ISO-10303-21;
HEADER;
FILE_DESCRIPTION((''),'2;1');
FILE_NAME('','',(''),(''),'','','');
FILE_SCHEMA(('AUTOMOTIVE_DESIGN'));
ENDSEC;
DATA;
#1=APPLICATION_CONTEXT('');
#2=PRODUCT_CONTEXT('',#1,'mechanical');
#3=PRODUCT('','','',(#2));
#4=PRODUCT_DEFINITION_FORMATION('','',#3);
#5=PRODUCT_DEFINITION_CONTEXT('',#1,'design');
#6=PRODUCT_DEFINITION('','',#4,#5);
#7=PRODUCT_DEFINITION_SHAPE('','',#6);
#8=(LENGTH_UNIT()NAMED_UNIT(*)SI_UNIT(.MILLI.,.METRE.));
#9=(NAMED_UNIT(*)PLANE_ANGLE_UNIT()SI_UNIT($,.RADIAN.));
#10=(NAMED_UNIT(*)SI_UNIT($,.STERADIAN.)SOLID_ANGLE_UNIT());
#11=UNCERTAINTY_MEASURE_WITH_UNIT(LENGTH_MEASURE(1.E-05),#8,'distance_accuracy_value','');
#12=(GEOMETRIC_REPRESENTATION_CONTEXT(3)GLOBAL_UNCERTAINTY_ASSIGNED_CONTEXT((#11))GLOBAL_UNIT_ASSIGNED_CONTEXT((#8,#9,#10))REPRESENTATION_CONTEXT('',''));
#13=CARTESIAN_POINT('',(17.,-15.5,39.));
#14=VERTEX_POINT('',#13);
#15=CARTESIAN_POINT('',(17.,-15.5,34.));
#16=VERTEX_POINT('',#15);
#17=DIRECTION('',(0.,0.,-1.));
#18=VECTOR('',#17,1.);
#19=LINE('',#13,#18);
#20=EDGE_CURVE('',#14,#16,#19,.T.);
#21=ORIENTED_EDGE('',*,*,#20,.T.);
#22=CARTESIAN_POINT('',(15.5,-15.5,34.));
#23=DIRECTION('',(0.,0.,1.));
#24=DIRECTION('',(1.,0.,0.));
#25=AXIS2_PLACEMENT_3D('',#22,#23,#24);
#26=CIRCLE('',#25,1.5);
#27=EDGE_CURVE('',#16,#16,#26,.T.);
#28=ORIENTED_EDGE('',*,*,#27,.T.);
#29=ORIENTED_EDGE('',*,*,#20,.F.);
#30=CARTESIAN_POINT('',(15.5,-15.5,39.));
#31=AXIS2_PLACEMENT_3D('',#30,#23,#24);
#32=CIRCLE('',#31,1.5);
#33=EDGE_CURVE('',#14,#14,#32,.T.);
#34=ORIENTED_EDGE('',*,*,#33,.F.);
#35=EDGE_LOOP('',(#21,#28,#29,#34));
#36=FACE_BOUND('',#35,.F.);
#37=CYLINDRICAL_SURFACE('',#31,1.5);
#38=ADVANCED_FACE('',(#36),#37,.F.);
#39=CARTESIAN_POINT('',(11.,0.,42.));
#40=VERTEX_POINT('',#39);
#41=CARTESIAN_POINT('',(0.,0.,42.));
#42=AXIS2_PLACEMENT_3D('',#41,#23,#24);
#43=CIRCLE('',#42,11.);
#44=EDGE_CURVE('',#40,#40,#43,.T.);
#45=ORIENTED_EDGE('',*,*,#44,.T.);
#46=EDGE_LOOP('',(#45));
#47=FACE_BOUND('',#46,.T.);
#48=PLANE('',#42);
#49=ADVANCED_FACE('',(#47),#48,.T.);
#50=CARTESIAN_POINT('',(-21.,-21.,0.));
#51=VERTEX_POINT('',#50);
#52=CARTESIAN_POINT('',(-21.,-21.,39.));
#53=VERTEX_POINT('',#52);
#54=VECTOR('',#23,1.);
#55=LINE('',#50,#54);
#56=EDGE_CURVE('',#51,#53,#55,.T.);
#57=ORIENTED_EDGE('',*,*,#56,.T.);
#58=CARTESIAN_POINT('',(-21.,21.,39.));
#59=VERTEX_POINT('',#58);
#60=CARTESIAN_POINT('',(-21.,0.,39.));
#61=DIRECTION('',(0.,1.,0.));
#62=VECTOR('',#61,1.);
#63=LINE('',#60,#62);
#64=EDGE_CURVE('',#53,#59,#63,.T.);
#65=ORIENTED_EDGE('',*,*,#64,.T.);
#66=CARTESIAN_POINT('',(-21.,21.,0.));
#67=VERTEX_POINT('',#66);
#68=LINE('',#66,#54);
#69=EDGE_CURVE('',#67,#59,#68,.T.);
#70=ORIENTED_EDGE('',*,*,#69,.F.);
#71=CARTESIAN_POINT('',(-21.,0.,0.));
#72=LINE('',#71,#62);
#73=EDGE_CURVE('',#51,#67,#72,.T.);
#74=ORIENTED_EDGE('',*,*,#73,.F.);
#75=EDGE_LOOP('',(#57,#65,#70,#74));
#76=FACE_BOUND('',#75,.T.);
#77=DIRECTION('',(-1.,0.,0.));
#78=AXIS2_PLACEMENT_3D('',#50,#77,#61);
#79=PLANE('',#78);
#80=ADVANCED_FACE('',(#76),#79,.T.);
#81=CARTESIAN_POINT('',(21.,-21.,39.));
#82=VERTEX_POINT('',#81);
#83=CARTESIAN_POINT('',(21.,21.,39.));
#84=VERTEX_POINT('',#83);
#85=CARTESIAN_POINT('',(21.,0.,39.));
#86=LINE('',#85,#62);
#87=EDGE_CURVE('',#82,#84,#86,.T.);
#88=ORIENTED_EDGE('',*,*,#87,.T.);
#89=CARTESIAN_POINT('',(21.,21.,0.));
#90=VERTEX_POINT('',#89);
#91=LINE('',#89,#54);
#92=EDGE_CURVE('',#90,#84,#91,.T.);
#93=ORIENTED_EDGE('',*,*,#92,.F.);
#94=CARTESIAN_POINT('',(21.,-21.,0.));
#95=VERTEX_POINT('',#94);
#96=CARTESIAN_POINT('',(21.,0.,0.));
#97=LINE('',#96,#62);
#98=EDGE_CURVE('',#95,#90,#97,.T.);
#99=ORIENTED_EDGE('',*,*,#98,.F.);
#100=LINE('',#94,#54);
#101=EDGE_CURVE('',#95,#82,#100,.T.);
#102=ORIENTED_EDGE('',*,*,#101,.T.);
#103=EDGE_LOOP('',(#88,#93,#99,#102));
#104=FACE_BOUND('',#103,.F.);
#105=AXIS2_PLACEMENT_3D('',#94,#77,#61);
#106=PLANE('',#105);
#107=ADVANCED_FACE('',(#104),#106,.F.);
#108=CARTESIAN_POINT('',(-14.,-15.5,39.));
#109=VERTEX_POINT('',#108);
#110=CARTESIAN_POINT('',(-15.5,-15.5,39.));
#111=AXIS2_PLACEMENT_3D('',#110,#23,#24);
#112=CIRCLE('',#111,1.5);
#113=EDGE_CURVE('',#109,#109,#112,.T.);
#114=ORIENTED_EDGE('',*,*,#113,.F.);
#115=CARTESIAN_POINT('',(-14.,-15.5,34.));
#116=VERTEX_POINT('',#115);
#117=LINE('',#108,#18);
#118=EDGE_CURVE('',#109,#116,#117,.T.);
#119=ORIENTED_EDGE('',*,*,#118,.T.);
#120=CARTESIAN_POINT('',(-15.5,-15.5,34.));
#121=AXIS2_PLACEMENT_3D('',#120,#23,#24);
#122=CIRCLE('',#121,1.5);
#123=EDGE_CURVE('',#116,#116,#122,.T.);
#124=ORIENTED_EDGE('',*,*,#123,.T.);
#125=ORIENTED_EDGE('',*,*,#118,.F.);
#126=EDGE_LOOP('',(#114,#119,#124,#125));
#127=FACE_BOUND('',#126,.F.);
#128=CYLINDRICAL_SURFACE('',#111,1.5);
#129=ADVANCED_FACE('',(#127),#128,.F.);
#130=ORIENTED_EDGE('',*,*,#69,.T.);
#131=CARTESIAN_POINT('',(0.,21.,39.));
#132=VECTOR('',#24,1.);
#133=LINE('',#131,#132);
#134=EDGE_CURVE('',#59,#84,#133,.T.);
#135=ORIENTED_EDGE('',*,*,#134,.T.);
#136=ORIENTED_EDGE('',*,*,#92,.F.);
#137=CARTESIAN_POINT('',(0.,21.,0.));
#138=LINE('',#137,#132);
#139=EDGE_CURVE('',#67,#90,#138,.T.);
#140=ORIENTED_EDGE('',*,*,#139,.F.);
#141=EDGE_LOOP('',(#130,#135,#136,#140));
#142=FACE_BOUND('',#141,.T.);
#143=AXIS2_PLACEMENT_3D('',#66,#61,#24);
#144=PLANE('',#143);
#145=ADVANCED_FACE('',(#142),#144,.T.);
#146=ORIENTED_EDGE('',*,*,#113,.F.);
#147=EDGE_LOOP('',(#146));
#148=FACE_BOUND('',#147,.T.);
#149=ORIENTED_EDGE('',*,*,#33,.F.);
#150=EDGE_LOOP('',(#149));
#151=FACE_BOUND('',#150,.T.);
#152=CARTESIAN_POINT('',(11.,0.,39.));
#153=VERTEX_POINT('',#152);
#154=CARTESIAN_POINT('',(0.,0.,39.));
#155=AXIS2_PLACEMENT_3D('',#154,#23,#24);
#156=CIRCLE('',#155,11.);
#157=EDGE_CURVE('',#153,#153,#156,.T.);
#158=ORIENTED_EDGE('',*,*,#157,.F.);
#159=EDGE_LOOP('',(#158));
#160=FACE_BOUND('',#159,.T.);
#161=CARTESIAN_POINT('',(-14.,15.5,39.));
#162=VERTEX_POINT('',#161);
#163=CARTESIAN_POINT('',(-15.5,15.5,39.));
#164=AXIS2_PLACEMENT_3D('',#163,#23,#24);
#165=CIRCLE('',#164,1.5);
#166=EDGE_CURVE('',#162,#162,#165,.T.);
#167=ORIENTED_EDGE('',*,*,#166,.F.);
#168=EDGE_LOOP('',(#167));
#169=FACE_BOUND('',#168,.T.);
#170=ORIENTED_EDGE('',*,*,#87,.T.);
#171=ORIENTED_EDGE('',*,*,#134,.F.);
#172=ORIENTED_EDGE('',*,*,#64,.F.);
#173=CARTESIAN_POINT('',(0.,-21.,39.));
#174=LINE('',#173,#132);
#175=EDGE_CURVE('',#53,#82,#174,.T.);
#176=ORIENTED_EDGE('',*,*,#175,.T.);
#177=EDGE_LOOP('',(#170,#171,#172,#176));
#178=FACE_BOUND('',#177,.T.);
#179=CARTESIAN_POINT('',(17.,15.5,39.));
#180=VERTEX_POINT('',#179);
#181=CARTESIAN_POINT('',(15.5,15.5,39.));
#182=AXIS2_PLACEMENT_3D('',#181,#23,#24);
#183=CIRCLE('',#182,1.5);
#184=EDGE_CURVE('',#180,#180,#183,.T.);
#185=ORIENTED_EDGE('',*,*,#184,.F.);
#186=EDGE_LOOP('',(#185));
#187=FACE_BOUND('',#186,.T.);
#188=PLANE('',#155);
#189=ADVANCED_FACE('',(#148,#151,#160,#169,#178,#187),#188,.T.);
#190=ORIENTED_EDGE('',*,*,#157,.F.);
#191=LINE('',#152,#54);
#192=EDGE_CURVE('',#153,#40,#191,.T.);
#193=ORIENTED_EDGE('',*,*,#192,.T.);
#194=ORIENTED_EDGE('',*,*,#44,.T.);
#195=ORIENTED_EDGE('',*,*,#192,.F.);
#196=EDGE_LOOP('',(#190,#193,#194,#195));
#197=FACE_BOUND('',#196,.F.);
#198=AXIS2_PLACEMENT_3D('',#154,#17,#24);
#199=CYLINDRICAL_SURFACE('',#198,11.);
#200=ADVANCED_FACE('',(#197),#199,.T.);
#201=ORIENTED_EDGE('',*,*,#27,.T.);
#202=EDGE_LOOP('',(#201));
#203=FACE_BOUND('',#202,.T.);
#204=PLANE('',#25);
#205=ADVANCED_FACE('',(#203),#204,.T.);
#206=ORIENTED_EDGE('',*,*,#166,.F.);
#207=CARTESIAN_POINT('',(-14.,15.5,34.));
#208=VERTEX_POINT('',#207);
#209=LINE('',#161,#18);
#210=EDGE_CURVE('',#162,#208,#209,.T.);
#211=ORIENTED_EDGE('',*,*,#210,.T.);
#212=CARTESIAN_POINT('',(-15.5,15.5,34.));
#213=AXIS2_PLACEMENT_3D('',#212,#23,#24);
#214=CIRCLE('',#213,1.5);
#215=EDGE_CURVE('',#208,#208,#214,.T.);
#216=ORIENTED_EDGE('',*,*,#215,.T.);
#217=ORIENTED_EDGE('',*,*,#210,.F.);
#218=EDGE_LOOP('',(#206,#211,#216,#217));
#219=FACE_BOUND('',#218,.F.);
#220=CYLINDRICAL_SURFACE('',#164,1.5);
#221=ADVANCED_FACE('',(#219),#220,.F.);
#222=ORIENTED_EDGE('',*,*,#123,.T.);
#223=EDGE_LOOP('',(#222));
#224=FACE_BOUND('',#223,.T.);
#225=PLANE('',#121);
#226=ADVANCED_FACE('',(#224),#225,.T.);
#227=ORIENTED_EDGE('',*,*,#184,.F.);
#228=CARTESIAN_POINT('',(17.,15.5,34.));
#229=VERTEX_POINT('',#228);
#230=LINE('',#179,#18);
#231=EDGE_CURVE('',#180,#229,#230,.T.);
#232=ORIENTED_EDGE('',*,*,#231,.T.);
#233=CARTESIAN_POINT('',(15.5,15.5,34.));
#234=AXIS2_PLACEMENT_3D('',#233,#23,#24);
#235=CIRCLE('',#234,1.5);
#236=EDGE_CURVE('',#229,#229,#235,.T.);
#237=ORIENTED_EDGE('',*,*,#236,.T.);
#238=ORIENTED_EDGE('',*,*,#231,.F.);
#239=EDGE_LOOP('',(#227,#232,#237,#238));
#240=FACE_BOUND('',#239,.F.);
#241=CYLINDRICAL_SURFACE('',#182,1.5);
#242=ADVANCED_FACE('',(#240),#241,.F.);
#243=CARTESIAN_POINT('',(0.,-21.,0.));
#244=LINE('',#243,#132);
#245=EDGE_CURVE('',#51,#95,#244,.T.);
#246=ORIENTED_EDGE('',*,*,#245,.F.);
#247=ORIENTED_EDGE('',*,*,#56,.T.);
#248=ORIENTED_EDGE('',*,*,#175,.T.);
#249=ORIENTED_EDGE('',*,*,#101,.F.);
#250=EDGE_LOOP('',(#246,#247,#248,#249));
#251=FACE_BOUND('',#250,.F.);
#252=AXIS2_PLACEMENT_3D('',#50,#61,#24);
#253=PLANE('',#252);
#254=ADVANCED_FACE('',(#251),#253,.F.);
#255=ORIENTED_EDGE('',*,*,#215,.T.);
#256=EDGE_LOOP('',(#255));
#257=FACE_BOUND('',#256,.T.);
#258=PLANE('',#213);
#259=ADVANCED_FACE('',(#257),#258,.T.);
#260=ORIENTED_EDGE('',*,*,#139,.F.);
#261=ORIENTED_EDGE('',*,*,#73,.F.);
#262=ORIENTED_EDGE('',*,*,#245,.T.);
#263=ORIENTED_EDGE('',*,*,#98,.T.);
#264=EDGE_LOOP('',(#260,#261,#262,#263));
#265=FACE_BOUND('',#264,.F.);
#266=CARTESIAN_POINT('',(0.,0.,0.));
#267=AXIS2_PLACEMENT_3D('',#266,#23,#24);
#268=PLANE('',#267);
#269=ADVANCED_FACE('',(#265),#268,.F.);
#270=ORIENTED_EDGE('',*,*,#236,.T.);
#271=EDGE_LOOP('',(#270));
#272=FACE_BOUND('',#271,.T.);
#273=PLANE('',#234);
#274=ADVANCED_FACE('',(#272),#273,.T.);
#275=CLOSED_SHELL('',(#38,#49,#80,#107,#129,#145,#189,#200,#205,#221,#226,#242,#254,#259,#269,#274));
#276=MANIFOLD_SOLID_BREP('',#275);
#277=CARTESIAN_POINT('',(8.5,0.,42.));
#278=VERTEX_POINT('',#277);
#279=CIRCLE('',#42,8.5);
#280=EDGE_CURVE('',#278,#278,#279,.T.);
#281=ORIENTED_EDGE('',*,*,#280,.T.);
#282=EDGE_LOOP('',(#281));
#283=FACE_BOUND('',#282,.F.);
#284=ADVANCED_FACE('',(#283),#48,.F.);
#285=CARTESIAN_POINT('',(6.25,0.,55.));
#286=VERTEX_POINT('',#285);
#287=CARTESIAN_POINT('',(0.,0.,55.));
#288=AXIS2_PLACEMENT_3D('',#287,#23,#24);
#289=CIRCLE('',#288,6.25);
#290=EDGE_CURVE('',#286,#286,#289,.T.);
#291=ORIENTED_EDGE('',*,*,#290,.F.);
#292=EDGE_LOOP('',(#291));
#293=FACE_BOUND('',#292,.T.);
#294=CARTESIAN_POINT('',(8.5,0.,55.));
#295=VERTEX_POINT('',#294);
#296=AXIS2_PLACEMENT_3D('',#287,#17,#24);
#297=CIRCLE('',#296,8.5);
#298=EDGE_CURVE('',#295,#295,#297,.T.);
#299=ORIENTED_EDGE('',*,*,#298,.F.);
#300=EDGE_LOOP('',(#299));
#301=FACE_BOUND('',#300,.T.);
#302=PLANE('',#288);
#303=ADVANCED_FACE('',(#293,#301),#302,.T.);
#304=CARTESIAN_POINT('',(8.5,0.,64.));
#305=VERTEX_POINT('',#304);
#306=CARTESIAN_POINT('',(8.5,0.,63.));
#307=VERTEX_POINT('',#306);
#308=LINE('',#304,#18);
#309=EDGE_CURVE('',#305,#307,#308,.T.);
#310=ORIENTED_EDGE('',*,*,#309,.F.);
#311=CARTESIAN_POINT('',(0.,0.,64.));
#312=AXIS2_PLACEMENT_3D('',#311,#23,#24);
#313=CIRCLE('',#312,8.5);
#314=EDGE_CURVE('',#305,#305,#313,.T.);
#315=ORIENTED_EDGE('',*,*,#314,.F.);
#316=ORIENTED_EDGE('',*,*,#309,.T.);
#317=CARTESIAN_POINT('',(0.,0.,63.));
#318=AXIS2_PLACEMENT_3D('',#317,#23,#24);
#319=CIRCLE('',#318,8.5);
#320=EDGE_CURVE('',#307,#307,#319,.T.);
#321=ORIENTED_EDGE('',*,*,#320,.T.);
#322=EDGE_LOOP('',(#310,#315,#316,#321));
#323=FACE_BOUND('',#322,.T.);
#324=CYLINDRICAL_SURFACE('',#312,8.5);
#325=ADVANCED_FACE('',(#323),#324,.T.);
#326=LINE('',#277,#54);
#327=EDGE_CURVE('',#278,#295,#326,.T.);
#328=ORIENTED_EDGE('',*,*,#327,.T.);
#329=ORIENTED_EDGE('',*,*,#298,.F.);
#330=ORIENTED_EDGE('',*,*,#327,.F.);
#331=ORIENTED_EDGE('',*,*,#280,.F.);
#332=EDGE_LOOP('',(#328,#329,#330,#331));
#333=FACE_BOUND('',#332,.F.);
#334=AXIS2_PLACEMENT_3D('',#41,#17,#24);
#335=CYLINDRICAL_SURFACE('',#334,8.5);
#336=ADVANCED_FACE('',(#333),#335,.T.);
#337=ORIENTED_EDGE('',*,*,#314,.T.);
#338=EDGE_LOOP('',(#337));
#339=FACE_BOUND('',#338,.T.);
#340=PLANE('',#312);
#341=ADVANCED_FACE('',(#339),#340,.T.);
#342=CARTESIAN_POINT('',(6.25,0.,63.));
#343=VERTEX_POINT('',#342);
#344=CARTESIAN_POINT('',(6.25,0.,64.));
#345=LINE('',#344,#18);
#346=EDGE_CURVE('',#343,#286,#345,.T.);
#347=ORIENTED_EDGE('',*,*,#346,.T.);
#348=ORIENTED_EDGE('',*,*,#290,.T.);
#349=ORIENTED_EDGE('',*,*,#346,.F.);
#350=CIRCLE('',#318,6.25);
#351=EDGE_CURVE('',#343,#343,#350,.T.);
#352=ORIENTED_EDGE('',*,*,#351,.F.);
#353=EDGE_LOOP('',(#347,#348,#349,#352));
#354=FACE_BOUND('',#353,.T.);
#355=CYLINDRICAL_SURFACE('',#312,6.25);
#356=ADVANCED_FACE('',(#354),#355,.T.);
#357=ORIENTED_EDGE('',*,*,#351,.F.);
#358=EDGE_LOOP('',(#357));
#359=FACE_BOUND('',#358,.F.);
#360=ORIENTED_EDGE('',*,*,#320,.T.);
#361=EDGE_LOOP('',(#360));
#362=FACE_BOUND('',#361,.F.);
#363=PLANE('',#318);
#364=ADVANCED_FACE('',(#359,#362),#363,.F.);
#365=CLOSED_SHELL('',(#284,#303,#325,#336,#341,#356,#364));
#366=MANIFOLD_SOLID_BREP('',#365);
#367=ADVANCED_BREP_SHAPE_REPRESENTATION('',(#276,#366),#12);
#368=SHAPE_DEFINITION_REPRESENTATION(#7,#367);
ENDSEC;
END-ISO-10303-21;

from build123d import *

# Parameters (mm, degrees)
F0_W      = 42
F0_H      = 42
F1_DEPTH  = 39
F2_R      = 11
F3_DEPTH  = 3
F4_R      = 1.5
F5_DEPTH  = 5
F6_R      = 8.5
F7_DEPTH  = 22
F8_R      = 31.175954
F8_R_2    = 6.25
F9_DEPTH  = 9
F10_R     = 8.5
F11_DEPTH = 1


with BuildPart() as f1:
    # F0 (on Top) → F1 (new body)
    with BuildSketch(Plane.XY):
        Rectangle(F0_W, F0_H)
    extrude(amount=F1_DEPTH)

    # F2 (on face) → F3 (join)
    with BuildSketch(Plane.XY.offset(39)):
        Circle(F2_R)
    extrude(amount=F3_DEPTH)

    # F4 (on face) → F5 (cut)
    with BuildSketch(Plane.XY.offset(39)):
        with Locations((-15.5, 15.5)):
            Circle(F4_R)
        with Locations((15.5, 15.5)):
            Circle(F4_R)
        with Locations((15.5, -15.5)):
            Circle(F4_R)
        with Locations((-15.5, -15.5)):
            Circle(F4_R)
    extrude(amount=-F5_DEPTH, mode=Mode.SUBTRACT)


with BuildPart() as f7:
    # F6 (on face) → F7 (new body)
    with BuildSketch(Plane.XY.offset(42)):
        Circle(F6_R)
    extrude(amount=F7_DEPTH)

    # F8 (on face) → F9 (cut)
    with BuildSketch(Plane.XY.offset(64)):
        Circle(F8_R)
        Circle(F8_R_2, mode=Mode.SUBTRACT)
    extrude(amount=-F9_DEPTH, mode=Mode.SUBTRACT)

    # F10 (on face) → F11 (join)
    with BuildSketch(Plane.XY.offset(64)):
        Circle(F10_R)
    extrude(amount=-F11_DEPTH)


solid = Compound([f1.part, f7.part])
